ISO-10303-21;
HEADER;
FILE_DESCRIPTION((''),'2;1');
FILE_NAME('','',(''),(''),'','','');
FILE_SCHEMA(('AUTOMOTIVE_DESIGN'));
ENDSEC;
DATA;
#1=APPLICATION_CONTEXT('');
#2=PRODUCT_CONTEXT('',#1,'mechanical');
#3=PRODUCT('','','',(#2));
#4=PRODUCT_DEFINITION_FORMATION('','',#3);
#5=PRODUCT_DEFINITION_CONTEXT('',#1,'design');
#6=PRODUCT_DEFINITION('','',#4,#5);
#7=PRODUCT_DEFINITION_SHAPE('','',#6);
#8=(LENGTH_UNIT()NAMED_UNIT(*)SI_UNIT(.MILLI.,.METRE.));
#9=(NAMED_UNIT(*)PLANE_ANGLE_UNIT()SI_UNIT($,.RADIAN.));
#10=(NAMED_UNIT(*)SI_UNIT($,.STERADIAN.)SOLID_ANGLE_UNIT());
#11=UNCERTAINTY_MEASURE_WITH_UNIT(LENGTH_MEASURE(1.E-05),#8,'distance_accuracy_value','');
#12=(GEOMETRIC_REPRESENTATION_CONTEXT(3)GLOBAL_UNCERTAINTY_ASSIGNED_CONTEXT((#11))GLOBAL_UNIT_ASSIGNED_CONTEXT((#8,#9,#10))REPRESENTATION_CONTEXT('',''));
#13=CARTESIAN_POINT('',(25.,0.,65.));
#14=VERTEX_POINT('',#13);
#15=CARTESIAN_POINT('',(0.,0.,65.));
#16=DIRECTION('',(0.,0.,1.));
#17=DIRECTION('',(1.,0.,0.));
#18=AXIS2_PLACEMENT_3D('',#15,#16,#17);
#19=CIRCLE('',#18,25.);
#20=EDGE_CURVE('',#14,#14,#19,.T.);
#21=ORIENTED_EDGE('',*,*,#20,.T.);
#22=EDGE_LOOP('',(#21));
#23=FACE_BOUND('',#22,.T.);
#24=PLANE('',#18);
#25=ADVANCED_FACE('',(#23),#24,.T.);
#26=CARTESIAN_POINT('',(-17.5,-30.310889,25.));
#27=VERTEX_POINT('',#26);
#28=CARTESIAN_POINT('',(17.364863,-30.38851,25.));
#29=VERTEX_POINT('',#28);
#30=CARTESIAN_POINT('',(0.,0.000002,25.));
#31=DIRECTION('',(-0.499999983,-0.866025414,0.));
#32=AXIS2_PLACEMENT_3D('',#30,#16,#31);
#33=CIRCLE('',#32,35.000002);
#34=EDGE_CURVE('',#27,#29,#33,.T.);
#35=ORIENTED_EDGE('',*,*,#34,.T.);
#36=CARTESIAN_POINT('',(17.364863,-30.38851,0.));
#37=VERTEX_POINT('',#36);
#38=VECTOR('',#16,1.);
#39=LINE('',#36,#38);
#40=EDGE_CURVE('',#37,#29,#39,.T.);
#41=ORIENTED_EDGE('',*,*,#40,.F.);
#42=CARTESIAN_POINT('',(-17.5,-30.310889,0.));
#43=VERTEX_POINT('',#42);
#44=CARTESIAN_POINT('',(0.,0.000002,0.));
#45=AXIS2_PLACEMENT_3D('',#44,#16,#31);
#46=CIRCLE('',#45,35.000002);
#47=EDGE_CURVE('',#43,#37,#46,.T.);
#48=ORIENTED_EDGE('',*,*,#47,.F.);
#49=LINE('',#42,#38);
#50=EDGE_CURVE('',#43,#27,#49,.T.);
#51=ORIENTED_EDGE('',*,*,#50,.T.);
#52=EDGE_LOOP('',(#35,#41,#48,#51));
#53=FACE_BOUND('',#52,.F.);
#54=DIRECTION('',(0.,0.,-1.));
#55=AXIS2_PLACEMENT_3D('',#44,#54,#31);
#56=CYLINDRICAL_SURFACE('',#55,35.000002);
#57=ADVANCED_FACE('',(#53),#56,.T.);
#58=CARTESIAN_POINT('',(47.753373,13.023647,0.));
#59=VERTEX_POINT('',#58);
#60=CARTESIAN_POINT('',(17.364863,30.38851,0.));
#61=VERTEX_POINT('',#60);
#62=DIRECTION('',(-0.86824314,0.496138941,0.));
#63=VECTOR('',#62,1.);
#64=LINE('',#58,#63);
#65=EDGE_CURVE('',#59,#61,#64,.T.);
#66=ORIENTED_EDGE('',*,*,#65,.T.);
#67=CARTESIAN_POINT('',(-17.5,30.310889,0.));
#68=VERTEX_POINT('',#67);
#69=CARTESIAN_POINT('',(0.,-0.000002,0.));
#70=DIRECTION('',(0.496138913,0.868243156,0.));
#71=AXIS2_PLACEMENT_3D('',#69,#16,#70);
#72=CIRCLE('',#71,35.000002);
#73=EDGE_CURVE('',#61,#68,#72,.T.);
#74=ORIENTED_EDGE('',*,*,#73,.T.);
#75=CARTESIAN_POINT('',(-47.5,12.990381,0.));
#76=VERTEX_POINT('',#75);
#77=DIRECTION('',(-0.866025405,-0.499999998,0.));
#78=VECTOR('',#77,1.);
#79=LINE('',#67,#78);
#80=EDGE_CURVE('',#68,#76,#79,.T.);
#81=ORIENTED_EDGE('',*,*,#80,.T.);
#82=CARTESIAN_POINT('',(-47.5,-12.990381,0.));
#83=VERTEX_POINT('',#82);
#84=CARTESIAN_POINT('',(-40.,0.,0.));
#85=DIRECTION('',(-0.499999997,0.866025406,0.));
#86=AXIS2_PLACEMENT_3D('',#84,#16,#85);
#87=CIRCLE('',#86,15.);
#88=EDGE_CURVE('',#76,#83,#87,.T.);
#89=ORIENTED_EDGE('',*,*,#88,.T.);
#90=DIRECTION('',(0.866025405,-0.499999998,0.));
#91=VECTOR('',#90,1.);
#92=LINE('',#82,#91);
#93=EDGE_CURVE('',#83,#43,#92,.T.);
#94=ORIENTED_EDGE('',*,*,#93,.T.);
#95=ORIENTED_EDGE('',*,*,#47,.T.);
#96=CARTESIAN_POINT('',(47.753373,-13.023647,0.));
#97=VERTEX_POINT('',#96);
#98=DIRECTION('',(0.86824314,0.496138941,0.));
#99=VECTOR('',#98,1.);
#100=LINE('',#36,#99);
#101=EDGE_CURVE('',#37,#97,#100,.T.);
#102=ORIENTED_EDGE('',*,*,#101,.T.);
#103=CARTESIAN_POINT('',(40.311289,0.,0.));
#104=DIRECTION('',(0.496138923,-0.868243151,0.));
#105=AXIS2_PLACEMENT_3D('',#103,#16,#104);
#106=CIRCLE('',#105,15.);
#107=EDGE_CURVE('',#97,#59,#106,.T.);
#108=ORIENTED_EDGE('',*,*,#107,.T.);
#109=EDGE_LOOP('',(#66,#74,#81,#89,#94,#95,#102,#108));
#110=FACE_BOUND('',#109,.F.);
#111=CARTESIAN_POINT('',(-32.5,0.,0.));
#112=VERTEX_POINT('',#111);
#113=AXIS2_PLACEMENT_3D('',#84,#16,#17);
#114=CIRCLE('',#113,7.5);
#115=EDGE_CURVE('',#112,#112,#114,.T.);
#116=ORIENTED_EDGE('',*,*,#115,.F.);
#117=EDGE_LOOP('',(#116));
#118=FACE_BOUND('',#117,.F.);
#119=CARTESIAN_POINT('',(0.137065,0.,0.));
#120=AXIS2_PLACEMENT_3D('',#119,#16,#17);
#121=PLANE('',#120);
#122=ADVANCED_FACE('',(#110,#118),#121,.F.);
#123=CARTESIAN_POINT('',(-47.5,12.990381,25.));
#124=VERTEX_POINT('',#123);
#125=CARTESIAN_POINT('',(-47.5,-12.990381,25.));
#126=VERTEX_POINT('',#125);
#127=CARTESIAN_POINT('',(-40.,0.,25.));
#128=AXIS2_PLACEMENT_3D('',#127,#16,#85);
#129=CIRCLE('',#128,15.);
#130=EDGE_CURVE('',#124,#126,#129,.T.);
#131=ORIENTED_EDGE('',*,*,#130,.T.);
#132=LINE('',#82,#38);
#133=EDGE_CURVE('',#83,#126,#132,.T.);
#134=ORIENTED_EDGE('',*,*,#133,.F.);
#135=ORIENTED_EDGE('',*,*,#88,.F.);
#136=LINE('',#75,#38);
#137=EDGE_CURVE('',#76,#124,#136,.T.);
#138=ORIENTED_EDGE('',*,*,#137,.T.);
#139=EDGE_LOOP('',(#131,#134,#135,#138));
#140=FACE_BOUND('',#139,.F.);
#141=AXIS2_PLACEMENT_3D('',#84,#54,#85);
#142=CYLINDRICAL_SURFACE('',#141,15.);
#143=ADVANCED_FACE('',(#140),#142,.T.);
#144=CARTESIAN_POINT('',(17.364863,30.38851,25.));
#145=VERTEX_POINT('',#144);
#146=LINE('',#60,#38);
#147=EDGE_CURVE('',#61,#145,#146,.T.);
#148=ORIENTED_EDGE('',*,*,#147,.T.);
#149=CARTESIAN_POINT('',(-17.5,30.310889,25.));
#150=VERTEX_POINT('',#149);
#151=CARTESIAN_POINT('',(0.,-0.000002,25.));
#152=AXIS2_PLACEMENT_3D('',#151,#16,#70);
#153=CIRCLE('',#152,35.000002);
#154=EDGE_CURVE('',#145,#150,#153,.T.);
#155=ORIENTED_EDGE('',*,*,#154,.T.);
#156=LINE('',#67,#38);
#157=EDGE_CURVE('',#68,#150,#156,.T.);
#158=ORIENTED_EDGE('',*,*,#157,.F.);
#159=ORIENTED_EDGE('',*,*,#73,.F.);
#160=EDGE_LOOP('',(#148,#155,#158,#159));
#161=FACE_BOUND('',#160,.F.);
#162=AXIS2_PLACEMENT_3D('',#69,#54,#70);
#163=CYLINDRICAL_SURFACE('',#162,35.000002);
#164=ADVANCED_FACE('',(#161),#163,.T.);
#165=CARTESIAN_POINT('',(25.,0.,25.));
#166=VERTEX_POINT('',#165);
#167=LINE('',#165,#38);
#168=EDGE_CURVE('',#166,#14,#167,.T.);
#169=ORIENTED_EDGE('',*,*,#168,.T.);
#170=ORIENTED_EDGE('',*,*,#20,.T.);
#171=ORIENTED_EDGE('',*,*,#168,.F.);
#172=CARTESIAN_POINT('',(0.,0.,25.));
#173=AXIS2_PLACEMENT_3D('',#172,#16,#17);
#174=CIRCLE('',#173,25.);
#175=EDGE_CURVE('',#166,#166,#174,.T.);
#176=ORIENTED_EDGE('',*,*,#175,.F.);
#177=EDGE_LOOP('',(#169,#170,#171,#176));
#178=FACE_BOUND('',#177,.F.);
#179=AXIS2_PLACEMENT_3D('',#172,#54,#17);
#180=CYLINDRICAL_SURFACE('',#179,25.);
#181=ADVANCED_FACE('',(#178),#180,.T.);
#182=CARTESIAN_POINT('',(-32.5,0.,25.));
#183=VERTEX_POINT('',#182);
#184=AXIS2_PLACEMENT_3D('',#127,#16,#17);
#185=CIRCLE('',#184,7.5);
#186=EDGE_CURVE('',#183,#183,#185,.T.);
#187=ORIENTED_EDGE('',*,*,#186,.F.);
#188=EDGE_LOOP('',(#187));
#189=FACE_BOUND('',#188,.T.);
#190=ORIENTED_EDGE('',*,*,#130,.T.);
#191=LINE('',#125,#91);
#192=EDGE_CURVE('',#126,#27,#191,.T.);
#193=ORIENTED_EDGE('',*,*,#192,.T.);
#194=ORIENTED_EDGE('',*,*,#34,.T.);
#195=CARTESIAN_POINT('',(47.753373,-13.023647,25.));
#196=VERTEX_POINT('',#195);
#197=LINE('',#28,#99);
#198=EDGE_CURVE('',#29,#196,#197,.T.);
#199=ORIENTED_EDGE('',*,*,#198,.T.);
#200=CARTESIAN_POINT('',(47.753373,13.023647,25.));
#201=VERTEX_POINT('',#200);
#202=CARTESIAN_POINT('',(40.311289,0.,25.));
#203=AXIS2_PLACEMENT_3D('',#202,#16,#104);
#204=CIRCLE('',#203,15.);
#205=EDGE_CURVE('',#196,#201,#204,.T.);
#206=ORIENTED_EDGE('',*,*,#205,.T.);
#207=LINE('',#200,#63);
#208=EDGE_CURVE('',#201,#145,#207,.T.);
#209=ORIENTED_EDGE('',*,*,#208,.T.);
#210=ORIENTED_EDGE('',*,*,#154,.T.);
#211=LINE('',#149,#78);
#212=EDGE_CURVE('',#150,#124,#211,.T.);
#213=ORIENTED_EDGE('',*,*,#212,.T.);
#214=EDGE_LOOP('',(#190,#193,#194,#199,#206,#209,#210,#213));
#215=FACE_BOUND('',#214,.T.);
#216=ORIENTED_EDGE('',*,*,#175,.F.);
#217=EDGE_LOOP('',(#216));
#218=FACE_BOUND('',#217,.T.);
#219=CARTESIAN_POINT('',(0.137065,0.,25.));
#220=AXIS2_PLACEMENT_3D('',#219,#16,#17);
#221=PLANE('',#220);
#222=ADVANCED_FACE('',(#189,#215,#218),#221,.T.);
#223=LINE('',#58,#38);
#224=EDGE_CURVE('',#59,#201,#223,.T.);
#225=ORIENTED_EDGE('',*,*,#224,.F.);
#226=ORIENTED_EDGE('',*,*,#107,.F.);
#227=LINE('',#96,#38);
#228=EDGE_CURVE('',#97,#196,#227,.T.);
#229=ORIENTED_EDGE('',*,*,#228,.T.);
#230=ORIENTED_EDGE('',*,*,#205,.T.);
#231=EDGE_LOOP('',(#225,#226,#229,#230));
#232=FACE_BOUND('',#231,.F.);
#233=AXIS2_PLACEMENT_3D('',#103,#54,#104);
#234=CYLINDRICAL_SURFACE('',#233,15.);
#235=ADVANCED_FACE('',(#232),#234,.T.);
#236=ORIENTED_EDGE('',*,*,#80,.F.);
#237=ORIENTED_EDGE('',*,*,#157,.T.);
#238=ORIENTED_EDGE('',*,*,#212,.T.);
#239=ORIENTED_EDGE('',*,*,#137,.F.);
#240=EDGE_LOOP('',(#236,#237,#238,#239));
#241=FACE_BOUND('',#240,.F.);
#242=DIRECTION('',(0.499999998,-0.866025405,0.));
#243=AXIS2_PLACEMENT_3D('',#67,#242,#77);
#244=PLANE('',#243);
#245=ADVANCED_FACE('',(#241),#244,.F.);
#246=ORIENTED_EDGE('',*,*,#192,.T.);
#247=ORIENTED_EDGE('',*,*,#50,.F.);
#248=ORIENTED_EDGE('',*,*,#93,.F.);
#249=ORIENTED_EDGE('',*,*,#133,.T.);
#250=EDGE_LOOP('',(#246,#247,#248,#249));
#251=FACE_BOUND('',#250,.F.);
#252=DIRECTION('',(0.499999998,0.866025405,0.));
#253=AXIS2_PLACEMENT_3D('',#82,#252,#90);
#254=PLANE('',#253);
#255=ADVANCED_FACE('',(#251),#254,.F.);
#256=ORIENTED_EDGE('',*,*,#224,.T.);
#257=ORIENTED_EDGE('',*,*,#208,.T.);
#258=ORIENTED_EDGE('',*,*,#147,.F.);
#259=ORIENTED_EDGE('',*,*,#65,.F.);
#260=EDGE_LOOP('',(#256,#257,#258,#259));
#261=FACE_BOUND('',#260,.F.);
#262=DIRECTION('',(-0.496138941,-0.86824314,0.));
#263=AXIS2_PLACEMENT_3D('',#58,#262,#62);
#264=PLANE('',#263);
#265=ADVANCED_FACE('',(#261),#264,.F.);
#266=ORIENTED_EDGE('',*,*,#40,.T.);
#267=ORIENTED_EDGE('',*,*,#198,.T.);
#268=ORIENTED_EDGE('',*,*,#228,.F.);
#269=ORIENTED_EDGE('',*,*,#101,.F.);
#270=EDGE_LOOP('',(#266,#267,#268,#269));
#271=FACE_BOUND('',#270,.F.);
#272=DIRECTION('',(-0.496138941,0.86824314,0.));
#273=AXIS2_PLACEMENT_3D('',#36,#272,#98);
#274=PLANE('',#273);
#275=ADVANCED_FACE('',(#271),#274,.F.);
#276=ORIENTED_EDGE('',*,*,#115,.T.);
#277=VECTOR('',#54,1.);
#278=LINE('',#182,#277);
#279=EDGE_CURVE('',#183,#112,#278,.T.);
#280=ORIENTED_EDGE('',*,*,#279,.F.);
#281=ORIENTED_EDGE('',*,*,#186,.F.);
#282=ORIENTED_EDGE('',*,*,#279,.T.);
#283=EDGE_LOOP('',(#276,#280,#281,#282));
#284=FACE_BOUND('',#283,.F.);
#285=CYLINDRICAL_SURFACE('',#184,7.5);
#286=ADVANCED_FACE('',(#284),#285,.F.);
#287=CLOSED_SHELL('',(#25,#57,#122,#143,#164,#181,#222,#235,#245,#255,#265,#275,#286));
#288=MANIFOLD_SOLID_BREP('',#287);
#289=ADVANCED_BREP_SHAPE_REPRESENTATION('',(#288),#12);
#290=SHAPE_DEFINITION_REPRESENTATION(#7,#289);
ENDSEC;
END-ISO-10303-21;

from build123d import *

# Parameters (mm, degrees)
F1_DEPTH = 25
F2_R     = 7.5
F3_DEPTH = 25
F4_R     = 25
F5_DEPTH = 40


with BuildPart() as f1:
    # F0 (on Top) → F1 (new body)
    with BuildSketch(Plane.XY):
        with BuildLine():
            Line((-17.5, 30.310889), (-47.5, 12.990381))
            ThreePointArc((-47.5, 12.990381), (-55, 0), (-47.5, -12.990381))
            Line((-47.5, -12.990381), (-17.5, -30.310889))
            ThreePointArc((-17.5, -30.310889), (-0.077922, -34.999913), (17.364863, -30.38851))
            Line((17.364863, -30.38851), (47.753373, -13.023647))
            ThreePointArc((47.753373, -13.023647), (55.311289, 0), (47.753373, 13.023647))
            Line((47.753373, 13.023647), (17.364863, 30.38851))
            ThreePointArc((17.364863, 30.38851), (-0.077922, 34.999913), (-17.5, 30.310889))
        make_face()
    extrude(amount=F1_DEPTH)

    # F2 (on face) → F3 (cut)
    with BuildSketch(Plane.XY.offset(25)):
        with Locations((-40, 0)):
            Circle(F2_R)
    extrude(amount=-F3_DEPTH, mode=Mode.SUBTRACT)

    # F4 (on face) → F5 (join)
    with BuildSketch(Plane.XY.offset(25)):
        Circle(F4_R)
    extrude(amount=F5_DEPTH)


solid = f1.part
